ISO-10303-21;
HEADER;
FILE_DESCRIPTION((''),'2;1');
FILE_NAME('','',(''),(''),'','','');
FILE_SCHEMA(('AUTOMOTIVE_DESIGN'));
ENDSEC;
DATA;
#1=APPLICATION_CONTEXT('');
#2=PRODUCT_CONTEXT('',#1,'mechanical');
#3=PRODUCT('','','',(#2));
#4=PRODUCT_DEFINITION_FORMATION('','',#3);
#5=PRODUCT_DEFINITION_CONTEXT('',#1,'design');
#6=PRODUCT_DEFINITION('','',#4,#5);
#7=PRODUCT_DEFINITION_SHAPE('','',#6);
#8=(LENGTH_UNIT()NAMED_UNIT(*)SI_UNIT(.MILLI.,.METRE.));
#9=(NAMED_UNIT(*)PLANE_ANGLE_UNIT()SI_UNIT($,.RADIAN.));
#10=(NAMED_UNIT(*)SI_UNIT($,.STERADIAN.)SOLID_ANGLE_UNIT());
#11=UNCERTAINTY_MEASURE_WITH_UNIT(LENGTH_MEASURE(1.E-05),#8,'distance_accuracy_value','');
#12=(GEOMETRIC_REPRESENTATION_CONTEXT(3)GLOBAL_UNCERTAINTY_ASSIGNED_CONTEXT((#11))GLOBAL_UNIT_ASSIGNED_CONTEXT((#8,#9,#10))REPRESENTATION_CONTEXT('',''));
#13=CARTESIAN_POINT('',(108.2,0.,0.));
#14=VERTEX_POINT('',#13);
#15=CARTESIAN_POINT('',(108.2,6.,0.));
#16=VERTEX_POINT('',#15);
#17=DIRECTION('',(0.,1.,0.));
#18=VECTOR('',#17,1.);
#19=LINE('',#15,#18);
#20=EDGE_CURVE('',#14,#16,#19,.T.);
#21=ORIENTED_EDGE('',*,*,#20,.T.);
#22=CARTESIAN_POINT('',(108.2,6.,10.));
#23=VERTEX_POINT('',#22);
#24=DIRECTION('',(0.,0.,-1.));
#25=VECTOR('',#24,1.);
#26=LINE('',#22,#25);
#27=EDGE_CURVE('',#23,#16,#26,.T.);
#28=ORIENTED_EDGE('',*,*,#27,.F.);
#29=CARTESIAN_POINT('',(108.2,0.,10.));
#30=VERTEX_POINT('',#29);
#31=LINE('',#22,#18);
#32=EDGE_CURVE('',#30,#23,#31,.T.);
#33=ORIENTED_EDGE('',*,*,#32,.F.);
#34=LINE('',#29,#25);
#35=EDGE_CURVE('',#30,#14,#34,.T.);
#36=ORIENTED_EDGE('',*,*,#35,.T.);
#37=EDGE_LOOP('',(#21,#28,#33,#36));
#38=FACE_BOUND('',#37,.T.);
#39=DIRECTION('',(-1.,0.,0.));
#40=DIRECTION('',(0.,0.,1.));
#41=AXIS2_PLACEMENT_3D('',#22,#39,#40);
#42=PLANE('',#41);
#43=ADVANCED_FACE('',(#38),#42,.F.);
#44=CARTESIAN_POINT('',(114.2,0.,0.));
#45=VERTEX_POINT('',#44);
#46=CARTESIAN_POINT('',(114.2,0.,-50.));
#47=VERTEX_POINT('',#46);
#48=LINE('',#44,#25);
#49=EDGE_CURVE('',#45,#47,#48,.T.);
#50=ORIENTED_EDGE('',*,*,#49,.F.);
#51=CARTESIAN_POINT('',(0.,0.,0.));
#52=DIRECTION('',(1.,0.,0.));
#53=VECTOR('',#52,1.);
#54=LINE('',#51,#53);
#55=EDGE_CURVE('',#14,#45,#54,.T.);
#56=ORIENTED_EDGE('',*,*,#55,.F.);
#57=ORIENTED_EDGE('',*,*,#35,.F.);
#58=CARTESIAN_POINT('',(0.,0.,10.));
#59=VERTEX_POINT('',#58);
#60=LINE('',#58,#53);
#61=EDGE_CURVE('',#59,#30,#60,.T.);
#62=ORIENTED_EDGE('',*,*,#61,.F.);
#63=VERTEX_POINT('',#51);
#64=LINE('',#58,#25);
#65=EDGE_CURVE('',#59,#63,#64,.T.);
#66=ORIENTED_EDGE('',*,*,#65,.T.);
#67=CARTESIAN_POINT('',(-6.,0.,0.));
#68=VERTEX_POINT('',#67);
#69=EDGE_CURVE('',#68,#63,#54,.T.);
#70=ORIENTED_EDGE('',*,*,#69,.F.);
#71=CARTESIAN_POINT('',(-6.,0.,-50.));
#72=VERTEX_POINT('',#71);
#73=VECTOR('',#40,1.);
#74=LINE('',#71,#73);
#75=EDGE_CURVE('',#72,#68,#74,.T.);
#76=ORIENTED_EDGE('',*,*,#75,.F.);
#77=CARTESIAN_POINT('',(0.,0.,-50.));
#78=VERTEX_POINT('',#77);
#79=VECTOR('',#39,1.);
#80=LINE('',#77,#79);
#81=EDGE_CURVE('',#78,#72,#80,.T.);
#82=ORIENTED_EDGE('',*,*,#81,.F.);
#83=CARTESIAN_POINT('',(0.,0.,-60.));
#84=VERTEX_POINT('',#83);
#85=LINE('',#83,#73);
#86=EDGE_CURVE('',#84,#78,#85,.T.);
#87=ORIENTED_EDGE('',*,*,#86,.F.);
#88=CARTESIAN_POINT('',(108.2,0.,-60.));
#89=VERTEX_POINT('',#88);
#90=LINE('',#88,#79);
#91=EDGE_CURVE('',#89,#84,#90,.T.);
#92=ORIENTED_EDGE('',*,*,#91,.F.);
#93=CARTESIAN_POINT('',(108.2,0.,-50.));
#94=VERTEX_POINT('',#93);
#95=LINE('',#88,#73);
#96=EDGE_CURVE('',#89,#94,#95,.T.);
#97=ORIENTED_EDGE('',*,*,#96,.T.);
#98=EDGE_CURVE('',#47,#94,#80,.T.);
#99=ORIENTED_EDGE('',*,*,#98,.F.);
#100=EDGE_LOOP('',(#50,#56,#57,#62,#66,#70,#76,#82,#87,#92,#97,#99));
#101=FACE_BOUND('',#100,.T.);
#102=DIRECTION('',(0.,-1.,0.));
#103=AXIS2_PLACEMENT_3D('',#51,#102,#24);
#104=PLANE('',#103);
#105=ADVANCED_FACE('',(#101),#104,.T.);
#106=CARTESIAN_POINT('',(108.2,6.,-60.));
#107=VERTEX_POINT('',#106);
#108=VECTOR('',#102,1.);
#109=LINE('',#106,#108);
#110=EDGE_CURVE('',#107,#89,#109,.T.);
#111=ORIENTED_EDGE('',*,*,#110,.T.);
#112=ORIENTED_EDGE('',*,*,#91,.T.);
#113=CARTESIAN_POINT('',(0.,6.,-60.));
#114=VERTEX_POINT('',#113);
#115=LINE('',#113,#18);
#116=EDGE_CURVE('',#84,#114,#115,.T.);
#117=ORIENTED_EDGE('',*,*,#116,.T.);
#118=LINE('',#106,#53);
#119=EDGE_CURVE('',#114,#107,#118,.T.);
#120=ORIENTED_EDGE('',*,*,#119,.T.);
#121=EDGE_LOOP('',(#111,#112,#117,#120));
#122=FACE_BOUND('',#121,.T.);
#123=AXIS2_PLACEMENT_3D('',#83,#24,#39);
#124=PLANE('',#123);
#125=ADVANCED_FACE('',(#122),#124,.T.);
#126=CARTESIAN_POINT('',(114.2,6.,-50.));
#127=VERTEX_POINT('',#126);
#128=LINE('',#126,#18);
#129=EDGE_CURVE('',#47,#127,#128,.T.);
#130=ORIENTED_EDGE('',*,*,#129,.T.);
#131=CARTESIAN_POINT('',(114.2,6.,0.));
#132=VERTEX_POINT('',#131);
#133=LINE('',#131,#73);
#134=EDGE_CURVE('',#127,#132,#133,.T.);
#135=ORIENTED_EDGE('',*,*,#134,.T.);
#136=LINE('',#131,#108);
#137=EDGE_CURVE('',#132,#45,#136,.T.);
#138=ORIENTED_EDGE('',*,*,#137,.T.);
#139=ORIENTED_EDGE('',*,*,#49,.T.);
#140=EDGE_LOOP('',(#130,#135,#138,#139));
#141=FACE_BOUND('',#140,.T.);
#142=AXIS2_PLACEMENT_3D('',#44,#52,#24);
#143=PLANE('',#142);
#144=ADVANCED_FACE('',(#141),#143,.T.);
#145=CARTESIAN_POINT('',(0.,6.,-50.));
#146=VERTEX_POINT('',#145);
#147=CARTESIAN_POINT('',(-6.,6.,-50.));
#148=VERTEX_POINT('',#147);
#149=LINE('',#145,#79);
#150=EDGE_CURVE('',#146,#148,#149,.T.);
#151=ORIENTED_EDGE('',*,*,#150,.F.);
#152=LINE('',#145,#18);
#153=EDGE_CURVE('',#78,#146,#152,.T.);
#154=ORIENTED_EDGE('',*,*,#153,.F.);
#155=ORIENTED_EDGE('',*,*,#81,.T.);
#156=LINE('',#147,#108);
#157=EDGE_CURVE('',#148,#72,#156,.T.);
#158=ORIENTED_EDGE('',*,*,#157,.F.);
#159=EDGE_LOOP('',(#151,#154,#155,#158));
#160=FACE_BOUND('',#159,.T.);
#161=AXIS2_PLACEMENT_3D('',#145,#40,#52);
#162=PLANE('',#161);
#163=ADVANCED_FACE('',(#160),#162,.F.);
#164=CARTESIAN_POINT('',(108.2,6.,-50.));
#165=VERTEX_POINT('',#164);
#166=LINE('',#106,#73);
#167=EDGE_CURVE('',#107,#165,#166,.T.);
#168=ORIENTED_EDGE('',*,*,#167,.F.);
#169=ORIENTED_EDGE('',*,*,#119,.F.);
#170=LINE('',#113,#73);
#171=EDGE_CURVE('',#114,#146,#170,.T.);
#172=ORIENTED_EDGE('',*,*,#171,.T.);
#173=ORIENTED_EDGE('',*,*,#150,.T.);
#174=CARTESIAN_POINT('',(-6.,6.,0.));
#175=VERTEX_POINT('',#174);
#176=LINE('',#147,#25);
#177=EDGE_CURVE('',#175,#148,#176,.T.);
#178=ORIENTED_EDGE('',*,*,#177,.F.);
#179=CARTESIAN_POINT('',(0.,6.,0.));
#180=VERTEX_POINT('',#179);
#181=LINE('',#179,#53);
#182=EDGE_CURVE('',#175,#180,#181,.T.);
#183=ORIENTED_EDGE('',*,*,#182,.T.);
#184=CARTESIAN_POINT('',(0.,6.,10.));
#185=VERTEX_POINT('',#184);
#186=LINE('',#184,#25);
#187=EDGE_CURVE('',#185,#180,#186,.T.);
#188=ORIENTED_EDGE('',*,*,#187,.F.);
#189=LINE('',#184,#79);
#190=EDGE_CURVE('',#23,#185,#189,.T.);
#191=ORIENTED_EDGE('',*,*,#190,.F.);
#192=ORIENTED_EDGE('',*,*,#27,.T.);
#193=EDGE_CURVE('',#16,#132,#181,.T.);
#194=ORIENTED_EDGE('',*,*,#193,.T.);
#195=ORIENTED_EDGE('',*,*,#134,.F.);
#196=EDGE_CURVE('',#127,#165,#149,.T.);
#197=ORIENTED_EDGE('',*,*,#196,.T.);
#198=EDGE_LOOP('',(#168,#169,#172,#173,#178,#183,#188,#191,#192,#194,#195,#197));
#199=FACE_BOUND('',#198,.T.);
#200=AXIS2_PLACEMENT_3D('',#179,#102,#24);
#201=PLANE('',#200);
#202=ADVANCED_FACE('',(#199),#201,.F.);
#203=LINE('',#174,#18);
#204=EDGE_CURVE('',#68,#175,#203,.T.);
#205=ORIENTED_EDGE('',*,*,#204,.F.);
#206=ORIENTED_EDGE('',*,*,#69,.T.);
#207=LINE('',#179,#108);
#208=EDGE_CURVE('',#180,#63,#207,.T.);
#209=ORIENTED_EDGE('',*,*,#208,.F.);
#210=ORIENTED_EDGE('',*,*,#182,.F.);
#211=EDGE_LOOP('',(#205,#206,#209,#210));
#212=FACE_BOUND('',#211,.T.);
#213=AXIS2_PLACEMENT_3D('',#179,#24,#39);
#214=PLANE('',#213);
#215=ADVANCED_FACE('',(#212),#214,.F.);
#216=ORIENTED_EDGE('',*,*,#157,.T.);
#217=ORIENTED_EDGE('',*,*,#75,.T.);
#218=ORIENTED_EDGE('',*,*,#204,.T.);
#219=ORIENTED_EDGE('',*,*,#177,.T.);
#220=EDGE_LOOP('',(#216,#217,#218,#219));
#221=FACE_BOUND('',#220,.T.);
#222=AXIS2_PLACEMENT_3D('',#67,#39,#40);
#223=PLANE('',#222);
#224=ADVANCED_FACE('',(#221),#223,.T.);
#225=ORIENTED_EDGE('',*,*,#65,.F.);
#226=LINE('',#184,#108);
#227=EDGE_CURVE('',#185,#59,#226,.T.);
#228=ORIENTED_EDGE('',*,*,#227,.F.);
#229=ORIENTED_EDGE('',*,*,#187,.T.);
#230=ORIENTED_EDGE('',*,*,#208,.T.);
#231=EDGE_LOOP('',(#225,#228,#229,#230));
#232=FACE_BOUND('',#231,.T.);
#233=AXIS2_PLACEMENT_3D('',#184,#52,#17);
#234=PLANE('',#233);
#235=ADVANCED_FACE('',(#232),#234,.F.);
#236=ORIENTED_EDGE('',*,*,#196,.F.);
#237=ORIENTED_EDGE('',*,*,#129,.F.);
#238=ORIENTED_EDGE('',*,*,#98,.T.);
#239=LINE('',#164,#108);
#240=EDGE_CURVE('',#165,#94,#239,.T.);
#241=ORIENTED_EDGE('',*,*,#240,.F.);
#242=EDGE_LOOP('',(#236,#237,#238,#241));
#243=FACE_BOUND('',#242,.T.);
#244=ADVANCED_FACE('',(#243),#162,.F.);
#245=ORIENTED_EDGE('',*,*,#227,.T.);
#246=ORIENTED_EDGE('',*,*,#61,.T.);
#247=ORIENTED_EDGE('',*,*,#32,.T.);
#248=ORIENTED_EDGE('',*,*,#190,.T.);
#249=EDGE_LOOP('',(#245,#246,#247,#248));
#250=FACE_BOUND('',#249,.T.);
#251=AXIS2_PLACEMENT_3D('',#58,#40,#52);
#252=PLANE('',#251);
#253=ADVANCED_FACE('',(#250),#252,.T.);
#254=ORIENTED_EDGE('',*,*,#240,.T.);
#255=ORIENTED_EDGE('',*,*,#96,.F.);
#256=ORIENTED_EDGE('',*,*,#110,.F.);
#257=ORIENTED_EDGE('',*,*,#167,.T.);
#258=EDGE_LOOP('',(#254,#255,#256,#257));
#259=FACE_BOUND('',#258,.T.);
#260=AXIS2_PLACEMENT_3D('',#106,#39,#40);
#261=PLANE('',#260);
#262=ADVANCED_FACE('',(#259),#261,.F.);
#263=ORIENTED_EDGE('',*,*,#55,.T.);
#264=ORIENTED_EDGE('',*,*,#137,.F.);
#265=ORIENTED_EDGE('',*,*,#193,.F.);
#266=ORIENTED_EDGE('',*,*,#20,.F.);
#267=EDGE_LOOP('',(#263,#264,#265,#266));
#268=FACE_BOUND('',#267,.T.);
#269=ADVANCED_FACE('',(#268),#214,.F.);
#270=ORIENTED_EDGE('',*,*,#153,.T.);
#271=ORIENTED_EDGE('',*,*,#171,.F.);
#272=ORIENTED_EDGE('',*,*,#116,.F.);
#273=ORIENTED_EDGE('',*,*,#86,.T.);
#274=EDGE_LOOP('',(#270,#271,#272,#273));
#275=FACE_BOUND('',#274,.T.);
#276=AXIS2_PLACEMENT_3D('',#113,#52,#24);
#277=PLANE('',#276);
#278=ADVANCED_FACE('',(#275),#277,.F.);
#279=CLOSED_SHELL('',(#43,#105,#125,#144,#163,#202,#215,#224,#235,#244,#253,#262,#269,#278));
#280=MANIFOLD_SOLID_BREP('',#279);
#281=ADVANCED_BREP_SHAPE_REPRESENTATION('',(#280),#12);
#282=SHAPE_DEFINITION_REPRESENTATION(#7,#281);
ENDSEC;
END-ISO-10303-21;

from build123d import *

# Parameters (mm, degrees)
SKETCH1_W           = 108.2
SKETCH1_H           = 50
BOSS_EXTRUDE1_DEPTH = 6
SKETCH2_W           = 50
SKETCH2_H           = 6
BOSS_EXTRUDE2_DEPTH = 6
SKETCH3_W           = 50
SKETCH3_H           = 6
BOSS_EXTRUDE3_DEPTH = 6
SKETCH4_W           = 108.2
SKETCH4_H           = 6
BOSS_EXTRUDE4_DEPTH = 10
SKETCH5_W           = 108.2
SKETCH5_H           = 6
BOSS_EXTRUDE5_DEPTH = 10


with BuildPart() as part:
    # Sketch1 → Boss-Extrude1 (new body)
    with BuildSketch(Plane(origin=(0, 0, 0), x_dir=(1, 0, 0), z_dir=(0, 1, 0))):
        with Locations((54.1, 25)):
            Rectangle(SKETCH1_W, SKETCH1_H)
    extrude(amount=BOSS_EXTRUDE1_DEPTH)

    # Sketch2 → Boss-Extrude2 (add)
    with BuildSketch(Plane.ZY):
        with Locations((-25, 3)):
            Rectangle(SKETCH2_W, SKETCH2_H)
    extrude(amount=BOSS_EXTRUDE2_DEPTH)

    # Sketch3 → Boss-Extrude3 (add)
    with BuildSketch(Plane(origin=(108.2, 0, 0), x_dir=(0, 0, -1), z_dir=(1, 0, 0))):
        with Locations((25, 3)):
            Rectangle(SKETCH3_W, SKETCH3_H)
    extrude(amount=BOSS_EXTRUDE3_DEPTH)

    # Sketch4 → Boss-Extrude4 (add)
    with BuildSketch(Plane(origin=(0, 0, -50), x_dir=(-1, 0, 0), z_dir=(0, 0, -1))):
        with Locations((-54.1, 3)):
            Rectangle(SKETCH4_W, SKETCH4_H)
    extrude(amount=BOSS_EXTRUDE4_DEPTH)

    # Sketch5 → Boss-Extrude5 (add)
    with BuildSketch(Plane.XY):
        with Locations((54.1, 3)):
            Rectangle(SKETCH5_W, SKETCH5_H)
    extrude(amount=BOSS_EXTRUDE5_DEPTH)


solid = part.part
